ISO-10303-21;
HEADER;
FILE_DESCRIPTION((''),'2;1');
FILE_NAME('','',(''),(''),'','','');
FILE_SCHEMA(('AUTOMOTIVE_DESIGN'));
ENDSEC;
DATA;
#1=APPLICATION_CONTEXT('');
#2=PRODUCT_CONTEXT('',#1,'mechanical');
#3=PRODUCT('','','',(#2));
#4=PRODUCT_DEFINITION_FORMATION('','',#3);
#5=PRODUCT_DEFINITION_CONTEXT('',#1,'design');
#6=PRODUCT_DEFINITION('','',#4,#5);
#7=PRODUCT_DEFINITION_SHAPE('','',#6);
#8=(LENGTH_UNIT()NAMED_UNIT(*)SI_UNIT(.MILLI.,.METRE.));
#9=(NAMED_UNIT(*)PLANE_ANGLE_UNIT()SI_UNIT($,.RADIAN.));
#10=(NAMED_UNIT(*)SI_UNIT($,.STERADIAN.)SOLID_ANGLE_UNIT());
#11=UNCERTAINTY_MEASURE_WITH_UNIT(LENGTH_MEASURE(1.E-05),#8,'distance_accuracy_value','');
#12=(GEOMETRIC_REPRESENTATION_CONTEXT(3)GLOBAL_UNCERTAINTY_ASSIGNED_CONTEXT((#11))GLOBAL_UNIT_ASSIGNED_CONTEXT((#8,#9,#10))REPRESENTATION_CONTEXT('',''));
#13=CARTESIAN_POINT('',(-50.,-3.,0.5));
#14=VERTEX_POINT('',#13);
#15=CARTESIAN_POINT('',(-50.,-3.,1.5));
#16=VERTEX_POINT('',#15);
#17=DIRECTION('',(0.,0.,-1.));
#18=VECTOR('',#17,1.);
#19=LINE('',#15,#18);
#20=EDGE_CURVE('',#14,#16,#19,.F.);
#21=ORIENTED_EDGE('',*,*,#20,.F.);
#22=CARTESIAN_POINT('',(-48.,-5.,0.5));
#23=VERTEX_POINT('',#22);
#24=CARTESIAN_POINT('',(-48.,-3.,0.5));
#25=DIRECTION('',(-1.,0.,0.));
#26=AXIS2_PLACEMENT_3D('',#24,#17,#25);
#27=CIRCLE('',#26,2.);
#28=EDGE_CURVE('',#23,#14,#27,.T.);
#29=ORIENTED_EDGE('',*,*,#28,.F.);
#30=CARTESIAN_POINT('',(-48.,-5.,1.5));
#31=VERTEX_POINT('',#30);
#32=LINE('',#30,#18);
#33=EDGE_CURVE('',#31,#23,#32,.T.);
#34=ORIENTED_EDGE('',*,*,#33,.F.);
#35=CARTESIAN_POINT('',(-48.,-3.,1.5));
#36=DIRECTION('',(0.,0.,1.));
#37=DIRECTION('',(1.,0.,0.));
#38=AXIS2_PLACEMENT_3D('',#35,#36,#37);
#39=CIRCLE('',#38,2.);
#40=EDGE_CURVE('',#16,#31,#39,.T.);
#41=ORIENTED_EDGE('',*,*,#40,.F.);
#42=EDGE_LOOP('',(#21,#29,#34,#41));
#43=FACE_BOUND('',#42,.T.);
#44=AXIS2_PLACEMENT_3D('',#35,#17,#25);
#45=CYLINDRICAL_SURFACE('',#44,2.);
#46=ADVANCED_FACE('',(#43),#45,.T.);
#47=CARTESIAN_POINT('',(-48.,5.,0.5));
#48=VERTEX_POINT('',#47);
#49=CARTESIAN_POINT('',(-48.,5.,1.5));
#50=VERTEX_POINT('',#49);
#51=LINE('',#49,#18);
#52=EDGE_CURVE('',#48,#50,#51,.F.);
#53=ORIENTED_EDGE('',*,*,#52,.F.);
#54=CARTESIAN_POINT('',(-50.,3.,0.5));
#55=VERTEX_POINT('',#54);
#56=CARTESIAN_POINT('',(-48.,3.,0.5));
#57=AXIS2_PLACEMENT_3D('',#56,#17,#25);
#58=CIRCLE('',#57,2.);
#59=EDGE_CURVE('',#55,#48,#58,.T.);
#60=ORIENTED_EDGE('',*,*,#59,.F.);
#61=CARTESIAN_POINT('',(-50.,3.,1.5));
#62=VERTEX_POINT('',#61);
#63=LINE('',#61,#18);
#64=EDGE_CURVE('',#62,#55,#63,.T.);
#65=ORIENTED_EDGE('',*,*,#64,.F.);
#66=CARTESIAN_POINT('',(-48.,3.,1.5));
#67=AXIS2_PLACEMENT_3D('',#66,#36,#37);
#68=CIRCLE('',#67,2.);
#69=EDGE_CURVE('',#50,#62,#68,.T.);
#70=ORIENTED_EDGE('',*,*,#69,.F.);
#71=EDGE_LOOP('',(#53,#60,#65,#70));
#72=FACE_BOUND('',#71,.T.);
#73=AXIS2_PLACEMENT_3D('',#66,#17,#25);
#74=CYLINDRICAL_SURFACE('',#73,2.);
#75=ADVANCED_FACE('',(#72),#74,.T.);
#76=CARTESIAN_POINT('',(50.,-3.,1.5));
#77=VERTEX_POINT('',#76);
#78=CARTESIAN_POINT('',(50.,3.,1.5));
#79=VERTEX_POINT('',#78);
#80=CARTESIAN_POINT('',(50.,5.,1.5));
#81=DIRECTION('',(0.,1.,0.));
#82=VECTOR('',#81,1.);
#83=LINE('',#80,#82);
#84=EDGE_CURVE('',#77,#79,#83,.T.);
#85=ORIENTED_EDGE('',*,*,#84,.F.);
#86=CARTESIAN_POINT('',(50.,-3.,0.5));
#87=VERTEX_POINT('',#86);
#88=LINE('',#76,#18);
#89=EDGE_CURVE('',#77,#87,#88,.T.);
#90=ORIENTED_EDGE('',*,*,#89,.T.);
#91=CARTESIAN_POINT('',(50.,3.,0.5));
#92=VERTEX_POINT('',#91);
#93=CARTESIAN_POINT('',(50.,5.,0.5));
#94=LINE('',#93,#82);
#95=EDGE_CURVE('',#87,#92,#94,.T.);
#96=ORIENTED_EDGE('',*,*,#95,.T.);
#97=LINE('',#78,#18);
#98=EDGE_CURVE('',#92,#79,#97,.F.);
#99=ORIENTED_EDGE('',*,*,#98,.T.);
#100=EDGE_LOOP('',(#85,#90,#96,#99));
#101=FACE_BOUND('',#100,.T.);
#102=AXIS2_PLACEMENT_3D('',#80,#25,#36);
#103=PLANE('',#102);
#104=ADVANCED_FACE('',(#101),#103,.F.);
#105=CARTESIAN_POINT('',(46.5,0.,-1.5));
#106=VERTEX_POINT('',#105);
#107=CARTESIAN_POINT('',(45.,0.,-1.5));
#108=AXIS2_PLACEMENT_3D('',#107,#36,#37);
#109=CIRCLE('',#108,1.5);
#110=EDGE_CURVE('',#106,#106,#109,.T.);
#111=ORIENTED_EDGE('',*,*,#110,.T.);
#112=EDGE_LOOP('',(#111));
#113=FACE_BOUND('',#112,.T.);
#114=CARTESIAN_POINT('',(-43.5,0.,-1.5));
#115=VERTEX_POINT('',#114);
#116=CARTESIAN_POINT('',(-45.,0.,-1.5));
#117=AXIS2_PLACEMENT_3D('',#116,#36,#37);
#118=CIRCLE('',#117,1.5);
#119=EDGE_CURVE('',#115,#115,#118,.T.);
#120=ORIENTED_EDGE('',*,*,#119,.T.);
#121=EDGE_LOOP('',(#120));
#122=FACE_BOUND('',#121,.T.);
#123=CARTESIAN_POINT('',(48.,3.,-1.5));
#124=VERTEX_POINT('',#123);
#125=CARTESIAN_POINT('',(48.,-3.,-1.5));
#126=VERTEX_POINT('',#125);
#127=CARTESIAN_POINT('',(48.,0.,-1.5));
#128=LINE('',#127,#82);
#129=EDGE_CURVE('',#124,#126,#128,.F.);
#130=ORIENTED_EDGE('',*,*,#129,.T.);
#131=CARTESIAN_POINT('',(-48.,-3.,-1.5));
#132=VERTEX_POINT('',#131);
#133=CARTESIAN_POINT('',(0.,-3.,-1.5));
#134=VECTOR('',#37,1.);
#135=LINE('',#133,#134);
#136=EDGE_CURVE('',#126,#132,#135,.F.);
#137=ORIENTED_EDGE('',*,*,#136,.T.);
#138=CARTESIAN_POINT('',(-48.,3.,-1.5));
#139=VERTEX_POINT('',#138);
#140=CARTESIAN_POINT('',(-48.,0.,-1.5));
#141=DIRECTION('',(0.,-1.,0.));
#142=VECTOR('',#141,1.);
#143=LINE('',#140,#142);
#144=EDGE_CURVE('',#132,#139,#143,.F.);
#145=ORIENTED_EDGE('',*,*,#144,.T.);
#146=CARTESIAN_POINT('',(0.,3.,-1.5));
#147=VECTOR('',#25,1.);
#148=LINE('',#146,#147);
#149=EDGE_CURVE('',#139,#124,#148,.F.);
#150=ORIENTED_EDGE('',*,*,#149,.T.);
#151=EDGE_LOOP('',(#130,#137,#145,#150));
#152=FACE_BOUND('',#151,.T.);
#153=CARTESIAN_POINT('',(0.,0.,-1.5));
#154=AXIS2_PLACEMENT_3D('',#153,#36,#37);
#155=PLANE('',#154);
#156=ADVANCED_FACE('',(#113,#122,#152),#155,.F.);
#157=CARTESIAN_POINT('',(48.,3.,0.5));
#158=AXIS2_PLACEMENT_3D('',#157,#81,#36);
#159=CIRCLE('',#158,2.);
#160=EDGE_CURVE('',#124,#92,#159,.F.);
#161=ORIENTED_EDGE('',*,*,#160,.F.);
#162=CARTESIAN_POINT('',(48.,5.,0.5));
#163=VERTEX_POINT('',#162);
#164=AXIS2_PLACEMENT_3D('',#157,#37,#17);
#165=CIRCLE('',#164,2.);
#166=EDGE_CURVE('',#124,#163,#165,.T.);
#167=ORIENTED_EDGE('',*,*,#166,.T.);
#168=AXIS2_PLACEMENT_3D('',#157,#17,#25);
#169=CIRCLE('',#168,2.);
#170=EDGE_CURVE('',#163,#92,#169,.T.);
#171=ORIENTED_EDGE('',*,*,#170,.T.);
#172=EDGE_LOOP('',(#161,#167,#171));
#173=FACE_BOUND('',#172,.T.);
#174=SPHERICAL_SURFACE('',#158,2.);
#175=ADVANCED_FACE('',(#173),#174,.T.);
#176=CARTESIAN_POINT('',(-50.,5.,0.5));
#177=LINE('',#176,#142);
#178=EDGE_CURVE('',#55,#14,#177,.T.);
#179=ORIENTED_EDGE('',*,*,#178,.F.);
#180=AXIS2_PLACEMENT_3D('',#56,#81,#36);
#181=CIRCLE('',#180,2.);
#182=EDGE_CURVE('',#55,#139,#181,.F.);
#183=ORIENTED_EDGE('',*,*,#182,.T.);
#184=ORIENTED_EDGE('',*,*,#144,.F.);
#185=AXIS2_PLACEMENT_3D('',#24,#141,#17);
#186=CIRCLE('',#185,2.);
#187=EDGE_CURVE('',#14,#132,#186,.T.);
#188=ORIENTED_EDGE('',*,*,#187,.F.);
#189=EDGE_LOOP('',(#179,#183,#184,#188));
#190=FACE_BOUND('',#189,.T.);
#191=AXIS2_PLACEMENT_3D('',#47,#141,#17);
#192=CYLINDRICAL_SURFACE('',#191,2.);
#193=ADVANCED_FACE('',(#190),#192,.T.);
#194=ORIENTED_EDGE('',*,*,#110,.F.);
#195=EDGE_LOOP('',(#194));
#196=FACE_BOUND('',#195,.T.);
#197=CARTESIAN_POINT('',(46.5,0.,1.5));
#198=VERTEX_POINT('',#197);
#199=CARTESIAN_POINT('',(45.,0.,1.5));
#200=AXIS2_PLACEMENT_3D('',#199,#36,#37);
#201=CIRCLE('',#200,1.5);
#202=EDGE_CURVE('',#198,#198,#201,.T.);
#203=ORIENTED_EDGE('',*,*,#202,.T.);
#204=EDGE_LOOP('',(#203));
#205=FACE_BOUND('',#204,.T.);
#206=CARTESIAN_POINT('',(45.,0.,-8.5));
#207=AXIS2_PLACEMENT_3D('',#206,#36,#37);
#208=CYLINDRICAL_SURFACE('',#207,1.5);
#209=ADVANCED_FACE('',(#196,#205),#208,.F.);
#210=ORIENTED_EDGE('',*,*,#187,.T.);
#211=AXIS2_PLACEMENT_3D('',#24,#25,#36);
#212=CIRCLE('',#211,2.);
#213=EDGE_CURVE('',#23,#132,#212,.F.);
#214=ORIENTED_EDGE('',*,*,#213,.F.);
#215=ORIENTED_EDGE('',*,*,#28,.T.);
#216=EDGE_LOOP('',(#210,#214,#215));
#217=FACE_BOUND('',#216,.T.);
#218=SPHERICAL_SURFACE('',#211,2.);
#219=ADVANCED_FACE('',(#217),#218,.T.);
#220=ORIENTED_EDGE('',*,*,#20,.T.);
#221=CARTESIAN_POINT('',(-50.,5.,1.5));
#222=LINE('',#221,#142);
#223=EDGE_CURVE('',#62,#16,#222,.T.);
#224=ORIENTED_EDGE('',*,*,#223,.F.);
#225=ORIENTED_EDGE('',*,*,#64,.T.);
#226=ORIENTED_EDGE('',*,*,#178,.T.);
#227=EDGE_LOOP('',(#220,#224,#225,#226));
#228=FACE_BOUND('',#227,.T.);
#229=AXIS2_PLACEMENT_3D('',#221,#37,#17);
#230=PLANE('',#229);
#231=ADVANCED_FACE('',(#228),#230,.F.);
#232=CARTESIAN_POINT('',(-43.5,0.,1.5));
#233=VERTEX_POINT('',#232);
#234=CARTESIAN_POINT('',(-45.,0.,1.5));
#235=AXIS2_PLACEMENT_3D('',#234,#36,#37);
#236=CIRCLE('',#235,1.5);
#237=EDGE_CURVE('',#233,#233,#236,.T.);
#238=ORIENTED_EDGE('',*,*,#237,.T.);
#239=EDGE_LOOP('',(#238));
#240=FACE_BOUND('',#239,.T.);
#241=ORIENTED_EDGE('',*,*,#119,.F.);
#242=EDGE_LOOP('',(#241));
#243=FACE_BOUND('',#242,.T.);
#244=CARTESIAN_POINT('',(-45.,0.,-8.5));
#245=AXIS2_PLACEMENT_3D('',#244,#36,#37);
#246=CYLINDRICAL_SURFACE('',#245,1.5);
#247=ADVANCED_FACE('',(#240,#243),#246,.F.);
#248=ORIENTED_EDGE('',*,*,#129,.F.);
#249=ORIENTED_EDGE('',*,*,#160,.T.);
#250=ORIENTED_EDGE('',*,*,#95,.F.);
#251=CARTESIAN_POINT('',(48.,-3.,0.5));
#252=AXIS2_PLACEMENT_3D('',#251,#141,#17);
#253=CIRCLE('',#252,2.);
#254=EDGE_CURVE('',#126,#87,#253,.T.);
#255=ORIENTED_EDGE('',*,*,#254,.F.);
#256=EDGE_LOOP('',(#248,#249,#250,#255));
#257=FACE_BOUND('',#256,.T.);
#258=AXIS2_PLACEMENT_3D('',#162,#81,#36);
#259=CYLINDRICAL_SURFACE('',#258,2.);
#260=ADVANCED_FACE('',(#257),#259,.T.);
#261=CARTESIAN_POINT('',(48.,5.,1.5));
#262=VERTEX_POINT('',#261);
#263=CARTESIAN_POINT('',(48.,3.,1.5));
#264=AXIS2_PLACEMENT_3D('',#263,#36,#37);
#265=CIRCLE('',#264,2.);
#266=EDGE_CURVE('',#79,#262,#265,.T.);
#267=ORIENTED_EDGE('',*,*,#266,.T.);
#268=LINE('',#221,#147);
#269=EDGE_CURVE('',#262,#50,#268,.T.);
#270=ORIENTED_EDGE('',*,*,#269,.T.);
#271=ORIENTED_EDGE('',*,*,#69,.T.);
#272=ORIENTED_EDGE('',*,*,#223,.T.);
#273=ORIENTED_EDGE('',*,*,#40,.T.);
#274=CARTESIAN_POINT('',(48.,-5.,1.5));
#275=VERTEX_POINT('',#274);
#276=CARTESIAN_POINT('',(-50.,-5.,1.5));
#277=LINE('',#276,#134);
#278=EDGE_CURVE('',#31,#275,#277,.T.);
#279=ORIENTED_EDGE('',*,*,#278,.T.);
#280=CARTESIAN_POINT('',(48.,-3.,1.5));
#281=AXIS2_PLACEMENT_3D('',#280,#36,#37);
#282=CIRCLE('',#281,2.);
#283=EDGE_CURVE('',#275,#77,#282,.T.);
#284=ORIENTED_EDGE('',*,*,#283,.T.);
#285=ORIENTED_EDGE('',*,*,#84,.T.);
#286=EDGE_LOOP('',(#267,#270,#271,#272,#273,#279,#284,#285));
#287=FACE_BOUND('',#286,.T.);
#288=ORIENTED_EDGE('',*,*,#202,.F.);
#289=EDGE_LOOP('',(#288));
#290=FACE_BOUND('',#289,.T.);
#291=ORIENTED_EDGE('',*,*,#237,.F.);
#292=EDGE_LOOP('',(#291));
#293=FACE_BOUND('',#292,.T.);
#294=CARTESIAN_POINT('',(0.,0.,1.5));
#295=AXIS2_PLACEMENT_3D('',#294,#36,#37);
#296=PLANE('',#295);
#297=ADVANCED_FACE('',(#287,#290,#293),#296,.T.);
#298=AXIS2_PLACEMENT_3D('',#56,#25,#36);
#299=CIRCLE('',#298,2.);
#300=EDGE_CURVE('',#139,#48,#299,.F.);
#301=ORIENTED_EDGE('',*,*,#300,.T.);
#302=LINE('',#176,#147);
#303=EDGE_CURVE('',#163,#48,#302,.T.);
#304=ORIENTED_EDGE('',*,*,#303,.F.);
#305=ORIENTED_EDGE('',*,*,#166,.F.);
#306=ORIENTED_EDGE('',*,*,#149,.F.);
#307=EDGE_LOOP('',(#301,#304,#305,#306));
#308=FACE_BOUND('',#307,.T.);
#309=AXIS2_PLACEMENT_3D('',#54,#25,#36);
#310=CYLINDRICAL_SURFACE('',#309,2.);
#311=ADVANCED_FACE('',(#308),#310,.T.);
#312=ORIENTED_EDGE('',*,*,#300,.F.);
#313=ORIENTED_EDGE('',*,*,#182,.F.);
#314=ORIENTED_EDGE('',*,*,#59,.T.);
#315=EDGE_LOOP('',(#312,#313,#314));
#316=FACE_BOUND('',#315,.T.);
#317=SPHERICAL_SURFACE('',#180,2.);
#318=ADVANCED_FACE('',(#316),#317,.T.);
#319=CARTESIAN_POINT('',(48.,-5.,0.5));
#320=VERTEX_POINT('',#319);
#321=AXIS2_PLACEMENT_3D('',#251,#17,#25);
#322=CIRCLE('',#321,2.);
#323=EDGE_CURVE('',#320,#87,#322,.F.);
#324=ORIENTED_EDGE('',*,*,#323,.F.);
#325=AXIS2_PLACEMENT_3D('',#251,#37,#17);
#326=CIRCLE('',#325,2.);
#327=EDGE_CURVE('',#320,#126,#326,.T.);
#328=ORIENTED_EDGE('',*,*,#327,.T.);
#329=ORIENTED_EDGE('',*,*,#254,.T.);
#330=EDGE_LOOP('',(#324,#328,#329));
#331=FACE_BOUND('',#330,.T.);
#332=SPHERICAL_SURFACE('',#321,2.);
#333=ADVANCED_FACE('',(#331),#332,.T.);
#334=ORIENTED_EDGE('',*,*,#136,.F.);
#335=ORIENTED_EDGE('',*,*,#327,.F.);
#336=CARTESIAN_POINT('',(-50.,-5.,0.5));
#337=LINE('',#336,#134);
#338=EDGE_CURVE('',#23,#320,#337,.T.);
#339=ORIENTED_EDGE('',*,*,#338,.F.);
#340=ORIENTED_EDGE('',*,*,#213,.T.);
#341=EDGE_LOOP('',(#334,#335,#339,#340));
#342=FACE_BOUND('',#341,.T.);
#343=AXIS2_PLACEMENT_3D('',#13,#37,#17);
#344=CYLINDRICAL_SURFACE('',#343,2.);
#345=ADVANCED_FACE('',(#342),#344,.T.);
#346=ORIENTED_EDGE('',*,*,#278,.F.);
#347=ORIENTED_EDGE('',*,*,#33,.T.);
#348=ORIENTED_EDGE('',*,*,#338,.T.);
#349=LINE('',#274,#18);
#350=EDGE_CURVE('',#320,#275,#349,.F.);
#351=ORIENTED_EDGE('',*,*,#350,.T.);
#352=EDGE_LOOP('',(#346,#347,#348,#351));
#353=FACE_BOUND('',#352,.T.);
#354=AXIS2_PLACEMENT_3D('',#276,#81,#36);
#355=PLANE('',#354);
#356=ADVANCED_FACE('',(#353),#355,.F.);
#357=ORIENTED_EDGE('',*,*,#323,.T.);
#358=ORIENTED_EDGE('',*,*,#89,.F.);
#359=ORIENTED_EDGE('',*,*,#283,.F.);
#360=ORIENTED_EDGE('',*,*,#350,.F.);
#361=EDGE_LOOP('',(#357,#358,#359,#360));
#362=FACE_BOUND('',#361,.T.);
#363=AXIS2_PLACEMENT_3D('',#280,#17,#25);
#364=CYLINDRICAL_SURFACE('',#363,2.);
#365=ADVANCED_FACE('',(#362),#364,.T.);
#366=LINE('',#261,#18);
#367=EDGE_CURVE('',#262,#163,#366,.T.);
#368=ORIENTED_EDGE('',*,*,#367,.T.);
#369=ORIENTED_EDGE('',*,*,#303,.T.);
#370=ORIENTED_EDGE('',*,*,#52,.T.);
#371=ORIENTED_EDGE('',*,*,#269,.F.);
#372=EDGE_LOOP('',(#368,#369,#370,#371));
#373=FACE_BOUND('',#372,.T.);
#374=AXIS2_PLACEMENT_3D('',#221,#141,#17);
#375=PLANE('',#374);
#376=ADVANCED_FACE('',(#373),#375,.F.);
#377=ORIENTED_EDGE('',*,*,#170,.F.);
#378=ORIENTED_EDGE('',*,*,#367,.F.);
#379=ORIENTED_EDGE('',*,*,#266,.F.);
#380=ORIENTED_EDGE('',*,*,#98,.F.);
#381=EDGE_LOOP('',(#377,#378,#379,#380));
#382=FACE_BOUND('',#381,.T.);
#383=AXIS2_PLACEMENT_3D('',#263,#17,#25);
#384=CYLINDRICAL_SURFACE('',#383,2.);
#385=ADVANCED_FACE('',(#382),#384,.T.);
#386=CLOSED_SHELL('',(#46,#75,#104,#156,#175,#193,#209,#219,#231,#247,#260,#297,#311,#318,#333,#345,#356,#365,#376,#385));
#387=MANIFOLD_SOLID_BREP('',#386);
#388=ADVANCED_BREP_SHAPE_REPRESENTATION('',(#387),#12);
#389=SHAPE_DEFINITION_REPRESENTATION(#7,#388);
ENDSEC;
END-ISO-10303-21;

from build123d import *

# Parameters (mm, degrees)
SKETCH_1_W          = 100
SKETCH_1_H          = 10
EXTRUDE_1_DEPTH     = 1.5
SKETCH_2_R          = 1.5
CUT_EXTRUDE_1_DEPTH = 10
FILLET_1_R          = 2


with BuildPart() as part:
    # 草图1 → 凸台-拉伸1 (new, symmetric)
    with BuildSketch(Plane.XY):
        Rectangle(SKETCH_1_W, SKETCH_1_H)
    extrude(amount=EXTRUDE_1_DEPTH, both=True)

    # 草图2 → 切除-拉伸1 (cut)
    with BuildSketch(Plane.XY.offset(1.5)):
        with Locations((-45, 0)):
            Circle(SKETCH_2_R)
        with Locations((45, 0)):
            Circle(SKETCH_2_R)
    extrude(amount=-CUT_EXTRUDE_1_DEPTH, mode=Mode.SUBTRACT)

    # 圆角1
    fillet_1_edges = [part.edges().sort_by_distance(p)[0] for p in [
        (0, -5, -1.5),
        (-50, 0, -1.5),
        (0, 5, -1.5),
        (50, 0, -1.5),
        (50, -5, 0),
        (-50, -5, 0),
        (-50, 5, 0),
        (50, 5, 0),
    ]]
    fillet(fillet_1_edges, radius=FILLET_1_R)


solid = part.part
